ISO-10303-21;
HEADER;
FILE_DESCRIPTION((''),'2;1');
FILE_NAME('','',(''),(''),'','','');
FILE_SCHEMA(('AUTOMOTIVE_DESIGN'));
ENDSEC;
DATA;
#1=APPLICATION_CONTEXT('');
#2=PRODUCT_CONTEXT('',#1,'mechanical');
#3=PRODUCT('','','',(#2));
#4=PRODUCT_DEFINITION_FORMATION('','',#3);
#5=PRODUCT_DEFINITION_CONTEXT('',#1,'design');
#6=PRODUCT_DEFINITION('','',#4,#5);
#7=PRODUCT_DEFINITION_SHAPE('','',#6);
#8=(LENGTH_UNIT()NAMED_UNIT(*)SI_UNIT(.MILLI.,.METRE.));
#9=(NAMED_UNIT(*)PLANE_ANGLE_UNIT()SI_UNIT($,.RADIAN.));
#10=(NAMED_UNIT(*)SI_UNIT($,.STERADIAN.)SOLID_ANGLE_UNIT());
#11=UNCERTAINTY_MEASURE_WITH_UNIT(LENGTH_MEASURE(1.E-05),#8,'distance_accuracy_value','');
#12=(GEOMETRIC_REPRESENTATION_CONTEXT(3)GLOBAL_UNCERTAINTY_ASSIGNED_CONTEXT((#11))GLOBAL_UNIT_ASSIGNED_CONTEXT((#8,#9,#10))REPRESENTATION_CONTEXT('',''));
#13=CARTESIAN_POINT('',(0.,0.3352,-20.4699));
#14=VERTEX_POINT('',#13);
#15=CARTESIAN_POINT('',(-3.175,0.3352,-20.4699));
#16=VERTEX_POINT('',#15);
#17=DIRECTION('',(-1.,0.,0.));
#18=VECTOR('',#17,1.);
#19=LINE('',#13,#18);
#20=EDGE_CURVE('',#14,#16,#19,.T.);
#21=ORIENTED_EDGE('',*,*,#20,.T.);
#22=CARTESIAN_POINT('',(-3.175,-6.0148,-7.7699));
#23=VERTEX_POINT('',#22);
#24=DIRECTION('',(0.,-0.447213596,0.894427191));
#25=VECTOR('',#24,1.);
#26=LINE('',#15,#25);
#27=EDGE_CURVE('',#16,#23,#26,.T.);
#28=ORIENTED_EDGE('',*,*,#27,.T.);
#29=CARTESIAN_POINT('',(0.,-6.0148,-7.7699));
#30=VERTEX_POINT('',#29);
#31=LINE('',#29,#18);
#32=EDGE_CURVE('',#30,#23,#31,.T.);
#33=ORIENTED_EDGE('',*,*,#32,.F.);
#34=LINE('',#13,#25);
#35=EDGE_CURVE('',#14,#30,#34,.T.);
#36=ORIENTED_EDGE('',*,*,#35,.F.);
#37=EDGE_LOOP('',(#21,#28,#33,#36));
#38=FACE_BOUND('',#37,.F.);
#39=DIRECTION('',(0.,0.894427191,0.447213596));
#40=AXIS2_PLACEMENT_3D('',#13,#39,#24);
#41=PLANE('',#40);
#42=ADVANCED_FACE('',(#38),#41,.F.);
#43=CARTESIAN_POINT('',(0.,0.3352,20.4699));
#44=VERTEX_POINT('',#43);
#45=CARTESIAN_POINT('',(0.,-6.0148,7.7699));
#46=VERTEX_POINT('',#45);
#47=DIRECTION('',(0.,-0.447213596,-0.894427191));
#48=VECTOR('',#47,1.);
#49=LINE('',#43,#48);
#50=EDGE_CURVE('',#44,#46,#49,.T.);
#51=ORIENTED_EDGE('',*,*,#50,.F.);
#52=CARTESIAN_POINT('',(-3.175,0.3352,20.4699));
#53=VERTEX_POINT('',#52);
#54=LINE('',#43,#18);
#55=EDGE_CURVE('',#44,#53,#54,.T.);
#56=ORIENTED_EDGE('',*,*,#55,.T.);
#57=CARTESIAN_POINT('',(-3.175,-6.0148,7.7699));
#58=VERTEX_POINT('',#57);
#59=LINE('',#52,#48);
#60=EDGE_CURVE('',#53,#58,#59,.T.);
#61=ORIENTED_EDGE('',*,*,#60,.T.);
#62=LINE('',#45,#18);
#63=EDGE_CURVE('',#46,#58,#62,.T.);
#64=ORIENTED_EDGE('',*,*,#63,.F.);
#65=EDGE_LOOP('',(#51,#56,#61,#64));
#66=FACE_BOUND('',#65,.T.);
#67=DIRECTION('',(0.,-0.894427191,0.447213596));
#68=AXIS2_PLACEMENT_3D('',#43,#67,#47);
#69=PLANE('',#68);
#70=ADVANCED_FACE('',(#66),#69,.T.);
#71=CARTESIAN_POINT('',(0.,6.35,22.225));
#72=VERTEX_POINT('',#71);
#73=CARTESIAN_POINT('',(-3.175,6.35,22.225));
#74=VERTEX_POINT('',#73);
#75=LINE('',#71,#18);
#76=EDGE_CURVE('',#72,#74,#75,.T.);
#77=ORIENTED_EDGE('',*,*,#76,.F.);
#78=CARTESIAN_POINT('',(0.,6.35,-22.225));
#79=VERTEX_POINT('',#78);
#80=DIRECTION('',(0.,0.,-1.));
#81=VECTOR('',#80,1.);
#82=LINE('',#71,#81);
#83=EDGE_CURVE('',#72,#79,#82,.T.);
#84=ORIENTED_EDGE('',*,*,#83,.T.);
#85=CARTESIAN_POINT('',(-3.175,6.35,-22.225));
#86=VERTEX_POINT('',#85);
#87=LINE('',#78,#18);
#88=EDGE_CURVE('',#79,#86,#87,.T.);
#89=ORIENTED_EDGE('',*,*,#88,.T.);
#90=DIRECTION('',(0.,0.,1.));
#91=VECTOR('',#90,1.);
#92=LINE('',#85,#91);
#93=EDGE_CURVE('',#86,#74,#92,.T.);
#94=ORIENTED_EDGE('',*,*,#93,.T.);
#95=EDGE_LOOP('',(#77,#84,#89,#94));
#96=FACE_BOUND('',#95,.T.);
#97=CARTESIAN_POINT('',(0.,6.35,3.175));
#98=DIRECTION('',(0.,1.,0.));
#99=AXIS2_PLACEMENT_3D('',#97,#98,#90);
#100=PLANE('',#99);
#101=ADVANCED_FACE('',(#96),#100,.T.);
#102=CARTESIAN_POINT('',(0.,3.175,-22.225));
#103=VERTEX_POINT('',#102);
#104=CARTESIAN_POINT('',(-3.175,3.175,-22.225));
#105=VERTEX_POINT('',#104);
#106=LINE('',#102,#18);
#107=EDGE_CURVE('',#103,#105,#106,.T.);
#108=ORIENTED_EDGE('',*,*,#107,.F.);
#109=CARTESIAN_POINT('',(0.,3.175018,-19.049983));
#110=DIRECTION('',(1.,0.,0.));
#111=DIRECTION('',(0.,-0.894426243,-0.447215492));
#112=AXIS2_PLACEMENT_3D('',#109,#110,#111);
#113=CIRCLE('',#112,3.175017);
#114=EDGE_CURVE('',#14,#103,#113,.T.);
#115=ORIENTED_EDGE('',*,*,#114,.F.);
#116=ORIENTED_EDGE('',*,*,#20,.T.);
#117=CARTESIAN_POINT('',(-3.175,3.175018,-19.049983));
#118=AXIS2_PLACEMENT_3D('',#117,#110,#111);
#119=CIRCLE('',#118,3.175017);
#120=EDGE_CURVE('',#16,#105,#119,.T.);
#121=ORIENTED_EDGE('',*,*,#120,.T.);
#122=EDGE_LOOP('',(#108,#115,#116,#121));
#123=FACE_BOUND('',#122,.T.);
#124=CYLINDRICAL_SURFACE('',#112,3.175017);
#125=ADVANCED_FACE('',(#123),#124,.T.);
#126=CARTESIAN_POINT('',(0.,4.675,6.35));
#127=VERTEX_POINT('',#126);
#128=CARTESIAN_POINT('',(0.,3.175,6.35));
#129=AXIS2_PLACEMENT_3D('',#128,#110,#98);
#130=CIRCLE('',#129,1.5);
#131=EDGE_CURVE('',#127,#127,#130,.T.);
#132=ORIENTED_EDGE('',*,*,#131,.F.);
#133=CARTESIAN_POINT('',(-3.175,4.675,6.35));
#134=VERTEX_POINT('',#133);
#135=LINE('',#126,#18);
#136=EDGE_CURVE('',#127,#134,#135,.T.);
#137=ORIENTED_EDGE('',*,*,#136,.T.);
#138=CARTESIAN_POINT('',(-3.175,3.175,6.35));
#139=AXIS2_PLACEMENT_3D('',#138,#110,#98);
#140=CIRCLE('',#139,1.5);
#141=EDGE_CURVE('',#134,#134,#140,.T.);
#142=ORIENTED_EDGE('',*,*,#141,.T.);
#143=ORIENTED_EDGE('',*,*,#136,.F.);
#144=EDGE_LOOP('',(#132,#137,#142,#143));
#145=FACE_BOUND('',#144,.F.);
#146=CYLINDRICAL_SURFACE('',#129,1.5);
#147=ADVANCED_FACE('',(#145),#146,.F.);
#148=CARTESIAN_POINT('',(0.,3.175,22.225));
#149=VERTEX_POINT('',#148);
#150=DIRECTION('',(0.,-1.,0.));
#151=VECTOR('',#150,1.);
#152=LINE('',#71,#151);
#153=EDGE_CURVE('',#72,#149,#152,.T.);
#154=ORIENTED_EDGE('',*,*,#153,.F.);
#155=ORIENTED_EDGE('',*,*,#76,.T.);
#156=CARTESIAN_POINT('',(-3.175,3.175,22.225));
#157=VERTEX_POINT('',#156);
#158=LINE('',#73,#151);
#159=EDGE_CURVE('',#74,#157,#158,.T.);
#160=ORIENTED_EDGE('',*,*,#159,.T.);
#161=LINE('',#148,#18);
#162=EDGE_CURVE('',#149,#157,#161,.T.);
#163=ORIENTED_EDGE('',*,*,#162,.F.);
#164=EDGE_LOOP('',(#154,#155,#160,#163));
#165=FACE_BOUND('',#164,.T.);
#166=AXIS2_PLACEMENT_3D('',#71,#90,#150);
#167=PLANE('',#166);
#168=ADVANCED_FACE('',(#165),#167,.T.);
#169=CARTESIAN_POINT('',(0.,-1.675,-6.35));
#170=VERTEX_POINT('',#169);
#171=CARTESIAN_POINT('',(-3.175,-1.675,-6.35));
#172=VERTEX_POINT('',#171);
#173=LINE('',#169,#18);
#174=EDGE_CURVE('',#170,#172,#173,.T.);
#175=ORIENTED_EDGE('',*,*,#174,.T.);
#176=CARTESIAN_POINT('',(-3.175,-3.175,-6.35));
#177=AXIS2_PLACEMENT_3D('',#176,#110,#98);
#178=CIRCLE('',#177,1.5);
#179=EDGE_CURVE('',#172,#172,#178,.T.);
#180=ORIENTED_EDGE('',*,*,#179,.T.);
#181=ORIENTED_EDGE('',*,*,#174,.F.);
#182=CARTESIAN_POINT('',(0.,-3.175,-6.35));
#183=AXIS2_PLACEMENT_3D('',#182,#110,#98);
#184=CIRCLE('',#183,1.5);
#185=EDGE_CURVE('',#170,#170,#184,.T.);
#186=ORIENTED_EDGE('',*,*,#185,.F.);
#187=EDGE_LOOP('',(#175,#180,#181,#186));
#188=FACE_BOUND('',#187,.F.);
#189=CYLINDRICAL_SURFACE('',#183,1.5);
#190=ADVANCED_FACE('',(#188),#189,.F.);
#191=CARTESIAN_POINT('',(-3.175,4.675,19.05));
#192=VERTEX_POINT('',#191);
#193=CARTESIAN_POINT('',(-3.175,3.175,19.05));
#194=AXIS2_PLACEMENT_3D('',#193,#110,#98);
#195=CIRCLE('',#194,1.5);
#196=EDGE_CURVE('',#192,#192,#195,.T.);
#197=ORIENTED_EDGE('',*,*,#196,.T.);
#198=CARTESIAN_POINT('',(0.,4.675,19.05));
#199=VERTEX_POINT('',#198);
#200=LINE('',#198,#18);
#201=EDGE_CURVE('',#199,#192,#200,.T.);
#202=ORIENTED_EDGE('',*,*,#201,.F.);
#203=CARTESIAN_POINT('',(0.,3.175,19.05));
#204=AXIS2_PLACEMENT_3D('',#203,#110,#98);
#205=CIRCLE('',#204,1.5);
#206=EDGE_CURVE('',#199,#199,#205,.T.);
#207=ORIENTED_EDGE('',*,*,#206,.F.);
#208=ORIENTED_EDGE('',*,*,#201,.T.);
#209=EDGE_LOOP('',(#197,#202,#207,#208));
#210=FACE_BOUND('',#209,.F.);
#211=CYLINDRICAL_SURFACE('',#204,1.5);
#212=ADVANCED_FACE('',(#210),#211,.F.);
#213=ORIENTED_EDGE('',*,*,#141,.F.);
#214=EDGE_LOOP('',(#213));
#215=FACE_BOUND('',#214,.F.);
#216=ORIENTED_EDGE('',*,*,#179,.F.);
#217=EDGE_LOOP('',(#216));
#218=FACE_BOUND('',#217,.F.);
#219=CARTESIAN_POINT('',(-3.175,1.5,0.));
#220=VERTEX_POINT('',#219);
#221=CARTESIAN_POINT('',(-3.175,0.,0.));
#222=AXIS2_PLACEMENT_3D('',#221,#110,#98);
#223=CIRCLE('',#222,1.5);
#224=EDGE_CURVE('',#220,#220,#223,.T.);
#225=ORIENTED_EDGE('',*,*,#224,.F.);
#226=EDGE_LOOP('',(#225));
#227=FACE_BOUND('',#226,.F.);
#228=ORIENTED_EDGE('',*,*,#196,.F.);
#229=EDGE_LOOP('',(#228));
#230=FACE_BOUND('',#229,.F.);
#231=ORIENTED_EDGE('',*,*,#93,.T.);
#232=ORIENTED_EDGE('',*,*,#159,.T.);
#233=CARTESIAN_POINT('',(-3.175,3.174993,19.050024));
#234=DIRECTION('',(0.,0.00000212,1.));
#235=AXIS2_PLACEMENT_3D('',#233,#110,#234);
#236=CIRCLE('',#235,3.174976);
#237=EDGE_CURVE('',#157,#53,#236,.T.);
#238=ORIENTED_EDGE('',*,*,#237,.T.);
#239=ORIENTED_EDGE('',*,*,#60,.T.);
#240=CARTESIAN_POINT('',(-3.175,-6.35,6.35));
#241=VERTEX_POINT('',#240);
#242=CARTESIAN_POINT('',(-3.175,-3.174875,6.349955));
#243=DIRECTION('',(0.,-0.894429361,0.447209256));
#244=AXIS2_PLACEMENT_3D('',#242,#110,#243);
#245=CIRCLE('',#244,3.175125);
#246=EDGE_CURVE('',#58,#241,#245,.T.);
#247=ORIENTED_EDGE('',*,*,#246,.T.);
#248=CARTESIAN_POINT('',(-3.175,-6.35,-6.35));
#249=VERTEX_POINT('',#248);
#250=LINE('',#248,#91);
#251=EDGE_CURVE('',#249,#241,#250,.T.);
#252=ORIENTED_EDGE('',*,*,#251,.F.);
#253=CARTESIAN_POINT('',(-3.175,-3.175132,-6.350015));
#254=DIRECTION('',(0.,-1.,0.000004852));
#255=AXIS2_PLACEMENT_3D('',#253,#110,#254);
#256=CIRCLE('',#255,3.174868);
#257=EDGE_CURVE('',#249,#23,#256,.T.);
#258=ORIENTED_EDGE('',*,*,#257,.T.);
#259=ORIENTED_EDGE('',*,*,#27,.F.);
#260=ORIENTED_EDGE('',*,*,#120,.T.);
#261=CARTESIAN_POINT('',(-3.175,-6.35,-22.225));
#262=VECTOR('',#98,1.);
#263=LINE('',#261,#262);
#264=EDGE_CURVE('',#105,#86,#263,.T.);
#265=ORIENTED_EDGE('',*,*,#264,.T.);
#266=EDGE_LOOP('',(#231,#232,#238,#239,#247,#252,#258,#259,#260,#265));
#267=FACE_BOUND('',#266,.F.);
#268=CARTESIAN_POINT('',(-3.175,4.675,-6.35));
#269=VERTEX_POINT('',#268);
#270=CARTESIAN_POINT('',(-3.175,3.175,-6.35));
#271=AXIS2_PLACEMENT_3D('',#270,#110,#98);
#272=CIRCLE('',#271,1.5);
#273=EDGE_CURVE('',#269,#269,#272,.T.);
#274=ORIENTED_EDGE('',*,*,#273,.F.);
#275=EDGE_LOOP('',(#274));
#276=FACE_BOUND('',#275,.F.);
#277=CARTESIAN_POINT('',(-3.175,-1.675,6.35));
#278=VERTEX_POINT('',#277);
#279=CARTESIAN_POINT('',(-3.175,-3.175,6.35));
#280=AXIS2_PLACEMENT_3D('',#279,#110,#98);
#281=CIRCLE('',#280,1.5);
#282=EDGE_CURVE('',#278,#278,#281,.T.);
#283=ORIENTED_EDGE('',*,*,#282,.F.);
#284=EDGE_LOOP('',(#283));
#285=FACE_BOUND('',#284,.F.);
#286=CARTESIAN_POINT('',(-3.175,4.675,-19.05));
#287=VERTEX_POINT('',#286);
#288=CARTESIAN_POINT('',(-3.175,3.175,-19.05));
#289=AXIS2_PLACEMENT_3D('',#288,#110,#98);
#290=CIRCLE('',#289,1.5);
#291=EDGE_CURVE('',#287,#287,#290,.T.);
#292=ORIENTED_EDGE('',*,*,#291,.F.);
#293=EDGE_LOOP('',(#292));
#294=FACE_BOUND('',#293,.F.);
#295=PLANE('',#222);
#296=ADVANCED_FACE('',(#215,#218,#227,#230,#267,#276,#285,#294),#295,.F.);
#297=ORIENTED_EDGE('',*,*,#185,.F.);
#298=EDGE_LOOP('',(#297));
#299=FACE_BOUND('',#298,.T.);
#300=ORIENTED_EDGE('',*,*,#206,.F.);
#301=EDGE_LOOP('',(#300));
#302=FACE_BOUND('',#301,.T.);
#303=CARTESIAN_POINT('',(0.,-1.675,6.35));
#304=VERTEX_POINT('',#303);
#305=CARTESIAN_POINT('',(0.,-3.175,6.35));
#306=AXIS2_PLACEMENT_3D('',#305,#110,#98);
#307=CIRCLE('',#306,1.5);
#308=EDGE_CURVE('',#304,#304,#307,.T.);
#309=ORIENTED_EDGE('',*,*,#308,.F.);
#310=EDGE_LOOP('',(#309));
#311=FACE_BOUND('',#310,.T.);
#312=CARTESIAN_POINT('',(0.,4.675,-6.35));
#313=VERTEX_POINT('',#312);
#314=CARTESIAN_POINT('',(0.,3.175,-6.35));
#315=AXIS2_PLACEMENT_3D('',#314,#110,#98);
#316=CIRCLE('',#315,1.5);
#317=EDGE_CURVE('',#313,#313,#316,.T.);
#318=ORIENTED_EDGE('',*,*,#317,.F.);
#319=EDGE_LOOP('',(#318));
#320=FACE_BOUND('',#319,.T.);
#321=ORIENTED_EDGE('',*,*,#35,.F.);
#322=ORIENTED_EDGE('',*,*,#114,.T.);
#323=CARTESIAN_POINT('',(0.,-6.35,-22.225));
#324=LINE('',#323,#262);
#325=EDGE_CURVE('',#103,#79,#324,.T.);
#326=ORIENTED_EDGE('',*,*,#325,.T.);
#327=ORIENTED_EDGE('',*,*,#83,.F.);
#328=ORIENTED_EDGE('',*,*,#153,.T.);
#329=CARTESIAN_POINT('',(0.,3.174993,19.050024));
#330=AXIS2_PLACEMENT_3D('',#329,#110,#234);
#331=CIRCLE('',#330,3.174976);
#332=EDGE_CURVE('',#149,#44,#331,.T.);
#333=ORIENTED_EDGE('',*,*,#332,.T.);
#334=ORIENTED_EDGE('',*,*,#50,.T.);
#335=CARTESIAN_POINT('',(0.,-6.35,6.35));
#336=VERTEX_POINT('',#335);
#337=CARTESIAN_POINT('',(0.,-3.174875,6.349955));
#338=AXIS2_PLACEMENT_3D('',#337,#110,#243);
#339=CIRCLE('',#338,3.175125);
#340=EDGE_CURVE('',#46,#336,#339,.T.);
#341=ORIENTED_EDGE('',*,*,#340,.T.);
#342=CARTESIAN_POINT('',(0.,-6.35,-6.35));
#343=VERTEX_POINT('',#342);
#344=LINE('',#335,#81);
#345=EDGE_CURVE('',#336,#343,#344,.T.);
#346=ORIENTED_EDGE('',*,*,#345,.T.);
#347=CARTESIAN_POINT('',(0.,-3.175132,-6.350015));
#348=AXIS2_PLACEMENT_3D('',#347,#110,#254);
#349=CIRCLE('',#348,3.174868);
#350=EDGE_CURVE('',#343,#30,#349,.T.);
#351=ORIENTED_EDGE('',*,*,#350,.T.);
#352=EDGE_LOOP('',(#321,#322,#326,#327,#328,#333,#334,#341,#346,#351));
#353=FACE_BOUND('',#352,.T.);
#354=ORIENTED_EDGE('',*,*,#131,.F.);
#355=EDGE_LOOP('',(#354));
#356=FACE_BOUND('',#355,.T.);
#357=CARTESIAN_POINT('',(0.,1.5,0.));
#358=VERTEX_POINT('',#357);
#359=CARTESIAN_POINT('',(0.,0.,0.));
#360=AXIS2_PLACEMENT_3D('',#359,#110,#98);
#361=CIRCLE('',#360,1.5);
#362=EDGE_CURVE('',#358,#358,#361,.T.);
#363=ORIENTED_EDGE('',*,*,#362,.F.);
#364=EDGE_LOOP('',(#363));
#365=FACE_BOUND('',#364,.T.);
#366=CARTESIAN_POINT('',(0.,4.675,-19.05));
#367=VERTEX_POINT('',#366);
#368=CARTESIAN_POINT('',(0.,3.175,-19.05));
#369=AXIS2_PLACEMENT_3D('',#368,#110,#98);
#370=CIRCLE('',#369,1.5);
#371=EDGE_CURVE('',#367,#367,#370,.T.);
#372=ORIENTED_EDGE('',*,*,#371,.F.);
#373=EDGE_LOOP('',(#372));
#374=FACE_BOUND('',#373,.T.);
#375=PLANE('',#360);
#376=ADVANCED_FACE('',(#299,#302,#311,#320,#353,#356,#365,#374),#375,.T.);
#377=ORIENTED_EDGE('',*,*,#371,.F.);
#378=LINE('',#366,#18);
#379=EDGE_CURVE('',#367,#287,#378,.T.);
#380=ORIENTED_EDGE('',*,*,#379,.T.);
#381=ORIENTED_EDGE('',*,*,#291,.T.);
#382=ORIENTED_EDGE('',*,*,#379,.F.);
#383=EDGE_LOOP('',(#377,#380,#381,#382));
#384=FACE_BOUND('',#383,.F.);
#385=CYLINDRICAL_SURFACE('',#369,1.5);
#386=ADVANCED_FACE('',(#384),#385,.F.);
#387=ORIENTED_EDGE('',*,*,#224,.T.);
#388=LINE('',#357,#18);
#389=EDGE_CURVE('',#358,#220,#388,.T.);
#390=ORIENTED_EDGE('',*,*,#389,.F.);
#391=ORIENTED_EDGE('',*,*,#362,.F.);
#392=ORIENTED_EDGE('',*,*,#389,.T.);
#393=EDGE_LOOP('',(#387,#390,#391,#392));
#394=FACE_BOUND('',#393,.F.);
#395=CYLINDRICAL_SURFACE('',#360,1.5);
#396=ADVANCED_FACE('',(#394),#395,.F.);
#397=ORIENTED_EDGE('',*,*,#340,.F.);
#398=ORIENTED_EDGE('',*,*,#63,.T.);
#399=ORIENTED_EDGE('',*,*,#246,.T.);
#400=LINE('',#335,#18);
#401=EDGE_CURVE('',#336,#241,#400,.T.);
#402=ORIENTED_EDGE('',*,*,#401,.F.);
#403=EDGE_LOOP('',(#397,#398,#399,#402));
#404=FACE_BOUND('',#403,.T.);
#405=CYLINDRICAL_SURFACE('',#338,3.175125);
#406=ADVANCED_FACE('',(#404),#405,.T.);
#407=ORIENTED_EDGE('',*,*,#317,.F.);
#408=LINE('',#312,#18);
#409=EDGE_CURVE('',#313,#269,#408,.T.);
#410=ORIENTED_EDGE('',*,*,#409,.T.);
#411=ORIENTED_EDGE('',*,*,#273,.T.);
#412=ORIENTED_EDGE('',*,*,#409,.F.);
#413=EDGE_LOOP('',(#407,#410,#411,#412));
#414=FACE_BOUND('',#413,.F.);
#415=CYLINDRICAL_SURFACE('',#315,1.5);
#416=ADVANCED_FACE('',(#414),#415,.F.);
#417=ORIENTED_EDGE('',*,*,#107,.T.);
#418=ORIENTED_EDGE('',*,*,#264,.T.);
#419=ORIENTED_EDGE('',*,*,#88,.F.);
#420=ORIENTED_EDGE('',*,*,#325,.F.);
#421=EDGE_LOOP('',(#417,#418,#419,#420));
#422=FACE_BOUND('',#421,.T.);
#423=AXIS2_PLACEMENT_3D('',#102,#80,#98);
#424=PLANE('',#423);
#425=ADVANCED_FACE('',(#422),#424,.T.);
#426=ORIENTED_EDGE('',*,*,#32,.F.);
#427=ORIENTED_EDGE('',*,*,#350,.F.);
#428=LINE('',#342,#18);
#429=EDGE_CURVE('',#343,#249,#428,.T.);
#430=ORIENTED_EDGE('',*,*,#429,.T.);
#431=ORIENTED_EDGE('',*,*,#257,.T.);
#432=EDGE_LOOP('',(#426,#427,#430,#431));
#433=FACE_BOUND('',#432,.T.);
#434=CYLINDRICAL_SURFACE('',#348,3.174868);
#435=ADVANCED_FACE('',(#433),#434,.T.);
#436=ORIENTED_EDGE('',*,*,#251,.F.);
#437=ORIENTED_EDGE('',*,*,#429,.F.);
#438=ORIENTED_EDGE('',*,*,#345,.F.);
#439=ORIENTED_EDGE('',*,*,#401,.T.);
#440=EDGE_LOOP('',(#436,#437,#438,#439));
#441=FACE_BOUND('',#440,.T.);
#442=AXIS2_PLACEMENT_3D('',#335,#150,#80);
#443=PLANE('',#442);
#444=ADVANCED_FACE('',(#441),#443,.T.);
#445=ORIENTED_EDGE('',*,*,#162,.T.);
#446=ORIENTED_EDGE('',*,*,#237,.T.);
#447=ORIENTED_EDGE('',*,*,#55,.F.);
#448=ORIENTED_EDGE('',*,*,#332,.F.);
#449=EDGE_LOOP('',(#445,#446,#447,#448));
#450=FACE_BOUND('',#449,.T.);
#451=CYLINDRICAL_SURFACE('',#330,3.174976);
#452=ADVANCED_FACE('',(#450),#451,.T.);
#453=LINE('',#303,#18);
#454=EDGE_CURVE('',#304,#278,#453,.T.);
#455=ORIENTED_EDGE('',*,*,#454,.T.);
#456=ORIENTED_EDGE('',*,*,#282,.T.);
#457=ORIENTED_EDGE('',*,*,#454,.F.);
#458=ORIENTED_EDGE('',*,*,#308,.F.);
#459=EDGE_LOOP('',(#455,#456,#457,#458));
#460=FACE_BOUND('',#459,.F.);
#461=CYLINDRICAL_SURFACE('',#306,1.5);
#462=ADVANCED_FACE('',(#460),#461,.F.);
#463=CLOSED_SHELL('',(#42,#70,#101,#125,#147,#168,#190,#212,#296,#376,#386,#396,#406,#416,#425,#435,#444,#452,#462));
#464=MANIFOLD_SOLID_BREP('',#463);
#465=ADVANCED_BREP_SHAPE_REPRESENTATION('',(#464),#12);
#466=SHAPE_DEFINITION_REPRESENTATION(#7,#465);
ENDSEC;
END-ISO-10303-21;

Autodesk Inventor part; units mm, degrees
ref_plane "YZ Plane" through (0, 0, 0) normal (1, 0, 0) x (0, 1, 0)
ref_plane "XZ Plane" through (0, 0, 0) normal (0, 1, 0) x (-1, 0, 0)
ref_plane "XY Plane" through (0, 0, 0) normal (0, 0, 1) x (1, 0, 0)
sketch "Sketch1" plane through (0, 0, 0) normal (1, 0, 0) x (0, 1, 0)
  line L0 (3.175, 6.35) -> (-3.175, 6.35) construction
  line L1 (-3.175, 6.35) -> (-3.175, -6.35) construction
  line L2 (-3.175, -6.35) -> (3.175, -6.35) construction
  line L3 (3.175, -6.35) -> (3.175, 6.35) construction
  line L4 (3.175, 6.35) -> (-3.175, -6.35) construction
  line L5 (-3.175, 6.35) -> (3.175, -6.35) construction
  circle A0 centre (0, 0) radius 1.5
  circle A1 centre (3.175, 6.35) radius 1.5
  circle A2 centre (3.175, -6.35) radius 1.5
  circle A3 centre (-3.175, 6.35) radius 1.5
  circle A4 centre (-3.175, -6.35) radius 1.5
  line L6 (6.35, 22.225) -> (-6.35, 22.225)
  line L7 (-6.35, 22.225) -> (-6.35, -22.225)
  line L8 (-6.35, -22.225) -> (6.35, -22.225)
  line L9 (6.35, -22.225) -> (6.35, 22.225)
  line L10 (6.35, 22.225) -> (-6.35, -22.225) construction
  line L11 (-6.35, 22.225) -> (6.35, -22.225) construction
  line L12 (-6.35, 0) -> (6.35, 0) construction
  line L13 (-6.35, -3.175) -> (6.35, -3.175)
  line L14 (6.35, 3.175) -> (-6.35, 3.175)
  arc A5 (-6.35, 3.175) -> (-6.35, -3.175) centre (-6.35, 0) ccw
  arc A6 (6.35, -3.175) -> (6.35, 3.175) centre (6.35, 0) ccw
  circle A7 centre (3.175, 19.05) radius 1.5
  arc A8 (3.175, 22.225) -> (0.3352, 20.4699) centre (3.175, 19.05) ccw
  arc A9 (-6.0148, 7.7699) -> (-6.35, 6.35) centre (-3.175, 6.35) ccw
  line L15 (0.3352, 20.4699) -> (-6.0148, 7.7699)
  circle A10 centre (3.175, -19.05) radius 1.5
  arc A11 (0.3352, -20.4699) -> (3.175, -22.225) centre (3.175, -19.05) ccw
  arc A12 (-6.35, -6.35) -> (-6.0148, -7.7699) centre (-3.175, -6.35) ccw
  line L16 (0.3352, -20.4699) -> (-6.0148, -7.7699)
  point P0 (3.175, -22.225)
  point P1 (-6.35, -6.35)
  dimension "d0" = 6.35
  dimension "d1" = 12.7
  dimension "d2" = 3
  dimension "d3" = 3
  dimension "d6" = 12.7
  dimension "d9" = 6.35
  dimension "d12" = 12.7
  dimension "d13" = 44.45
  dimension "d14" = 6.35
  dimension "d20" = 3
  dimension "d21" = 12.7
extrude "Extrusion2" add sketch "Sketch1" against normal blind 3.175 contours L9 L14 L7 A9 L15 A8 L6 | L9 L13 L7 L14 | L9 L8 A11 L16 A12 L7 L13
equation "\"d6\" = d1"
equation "\"d9\" = d0"
properties part number "Pin Cap" material "Aluminum 6061"
